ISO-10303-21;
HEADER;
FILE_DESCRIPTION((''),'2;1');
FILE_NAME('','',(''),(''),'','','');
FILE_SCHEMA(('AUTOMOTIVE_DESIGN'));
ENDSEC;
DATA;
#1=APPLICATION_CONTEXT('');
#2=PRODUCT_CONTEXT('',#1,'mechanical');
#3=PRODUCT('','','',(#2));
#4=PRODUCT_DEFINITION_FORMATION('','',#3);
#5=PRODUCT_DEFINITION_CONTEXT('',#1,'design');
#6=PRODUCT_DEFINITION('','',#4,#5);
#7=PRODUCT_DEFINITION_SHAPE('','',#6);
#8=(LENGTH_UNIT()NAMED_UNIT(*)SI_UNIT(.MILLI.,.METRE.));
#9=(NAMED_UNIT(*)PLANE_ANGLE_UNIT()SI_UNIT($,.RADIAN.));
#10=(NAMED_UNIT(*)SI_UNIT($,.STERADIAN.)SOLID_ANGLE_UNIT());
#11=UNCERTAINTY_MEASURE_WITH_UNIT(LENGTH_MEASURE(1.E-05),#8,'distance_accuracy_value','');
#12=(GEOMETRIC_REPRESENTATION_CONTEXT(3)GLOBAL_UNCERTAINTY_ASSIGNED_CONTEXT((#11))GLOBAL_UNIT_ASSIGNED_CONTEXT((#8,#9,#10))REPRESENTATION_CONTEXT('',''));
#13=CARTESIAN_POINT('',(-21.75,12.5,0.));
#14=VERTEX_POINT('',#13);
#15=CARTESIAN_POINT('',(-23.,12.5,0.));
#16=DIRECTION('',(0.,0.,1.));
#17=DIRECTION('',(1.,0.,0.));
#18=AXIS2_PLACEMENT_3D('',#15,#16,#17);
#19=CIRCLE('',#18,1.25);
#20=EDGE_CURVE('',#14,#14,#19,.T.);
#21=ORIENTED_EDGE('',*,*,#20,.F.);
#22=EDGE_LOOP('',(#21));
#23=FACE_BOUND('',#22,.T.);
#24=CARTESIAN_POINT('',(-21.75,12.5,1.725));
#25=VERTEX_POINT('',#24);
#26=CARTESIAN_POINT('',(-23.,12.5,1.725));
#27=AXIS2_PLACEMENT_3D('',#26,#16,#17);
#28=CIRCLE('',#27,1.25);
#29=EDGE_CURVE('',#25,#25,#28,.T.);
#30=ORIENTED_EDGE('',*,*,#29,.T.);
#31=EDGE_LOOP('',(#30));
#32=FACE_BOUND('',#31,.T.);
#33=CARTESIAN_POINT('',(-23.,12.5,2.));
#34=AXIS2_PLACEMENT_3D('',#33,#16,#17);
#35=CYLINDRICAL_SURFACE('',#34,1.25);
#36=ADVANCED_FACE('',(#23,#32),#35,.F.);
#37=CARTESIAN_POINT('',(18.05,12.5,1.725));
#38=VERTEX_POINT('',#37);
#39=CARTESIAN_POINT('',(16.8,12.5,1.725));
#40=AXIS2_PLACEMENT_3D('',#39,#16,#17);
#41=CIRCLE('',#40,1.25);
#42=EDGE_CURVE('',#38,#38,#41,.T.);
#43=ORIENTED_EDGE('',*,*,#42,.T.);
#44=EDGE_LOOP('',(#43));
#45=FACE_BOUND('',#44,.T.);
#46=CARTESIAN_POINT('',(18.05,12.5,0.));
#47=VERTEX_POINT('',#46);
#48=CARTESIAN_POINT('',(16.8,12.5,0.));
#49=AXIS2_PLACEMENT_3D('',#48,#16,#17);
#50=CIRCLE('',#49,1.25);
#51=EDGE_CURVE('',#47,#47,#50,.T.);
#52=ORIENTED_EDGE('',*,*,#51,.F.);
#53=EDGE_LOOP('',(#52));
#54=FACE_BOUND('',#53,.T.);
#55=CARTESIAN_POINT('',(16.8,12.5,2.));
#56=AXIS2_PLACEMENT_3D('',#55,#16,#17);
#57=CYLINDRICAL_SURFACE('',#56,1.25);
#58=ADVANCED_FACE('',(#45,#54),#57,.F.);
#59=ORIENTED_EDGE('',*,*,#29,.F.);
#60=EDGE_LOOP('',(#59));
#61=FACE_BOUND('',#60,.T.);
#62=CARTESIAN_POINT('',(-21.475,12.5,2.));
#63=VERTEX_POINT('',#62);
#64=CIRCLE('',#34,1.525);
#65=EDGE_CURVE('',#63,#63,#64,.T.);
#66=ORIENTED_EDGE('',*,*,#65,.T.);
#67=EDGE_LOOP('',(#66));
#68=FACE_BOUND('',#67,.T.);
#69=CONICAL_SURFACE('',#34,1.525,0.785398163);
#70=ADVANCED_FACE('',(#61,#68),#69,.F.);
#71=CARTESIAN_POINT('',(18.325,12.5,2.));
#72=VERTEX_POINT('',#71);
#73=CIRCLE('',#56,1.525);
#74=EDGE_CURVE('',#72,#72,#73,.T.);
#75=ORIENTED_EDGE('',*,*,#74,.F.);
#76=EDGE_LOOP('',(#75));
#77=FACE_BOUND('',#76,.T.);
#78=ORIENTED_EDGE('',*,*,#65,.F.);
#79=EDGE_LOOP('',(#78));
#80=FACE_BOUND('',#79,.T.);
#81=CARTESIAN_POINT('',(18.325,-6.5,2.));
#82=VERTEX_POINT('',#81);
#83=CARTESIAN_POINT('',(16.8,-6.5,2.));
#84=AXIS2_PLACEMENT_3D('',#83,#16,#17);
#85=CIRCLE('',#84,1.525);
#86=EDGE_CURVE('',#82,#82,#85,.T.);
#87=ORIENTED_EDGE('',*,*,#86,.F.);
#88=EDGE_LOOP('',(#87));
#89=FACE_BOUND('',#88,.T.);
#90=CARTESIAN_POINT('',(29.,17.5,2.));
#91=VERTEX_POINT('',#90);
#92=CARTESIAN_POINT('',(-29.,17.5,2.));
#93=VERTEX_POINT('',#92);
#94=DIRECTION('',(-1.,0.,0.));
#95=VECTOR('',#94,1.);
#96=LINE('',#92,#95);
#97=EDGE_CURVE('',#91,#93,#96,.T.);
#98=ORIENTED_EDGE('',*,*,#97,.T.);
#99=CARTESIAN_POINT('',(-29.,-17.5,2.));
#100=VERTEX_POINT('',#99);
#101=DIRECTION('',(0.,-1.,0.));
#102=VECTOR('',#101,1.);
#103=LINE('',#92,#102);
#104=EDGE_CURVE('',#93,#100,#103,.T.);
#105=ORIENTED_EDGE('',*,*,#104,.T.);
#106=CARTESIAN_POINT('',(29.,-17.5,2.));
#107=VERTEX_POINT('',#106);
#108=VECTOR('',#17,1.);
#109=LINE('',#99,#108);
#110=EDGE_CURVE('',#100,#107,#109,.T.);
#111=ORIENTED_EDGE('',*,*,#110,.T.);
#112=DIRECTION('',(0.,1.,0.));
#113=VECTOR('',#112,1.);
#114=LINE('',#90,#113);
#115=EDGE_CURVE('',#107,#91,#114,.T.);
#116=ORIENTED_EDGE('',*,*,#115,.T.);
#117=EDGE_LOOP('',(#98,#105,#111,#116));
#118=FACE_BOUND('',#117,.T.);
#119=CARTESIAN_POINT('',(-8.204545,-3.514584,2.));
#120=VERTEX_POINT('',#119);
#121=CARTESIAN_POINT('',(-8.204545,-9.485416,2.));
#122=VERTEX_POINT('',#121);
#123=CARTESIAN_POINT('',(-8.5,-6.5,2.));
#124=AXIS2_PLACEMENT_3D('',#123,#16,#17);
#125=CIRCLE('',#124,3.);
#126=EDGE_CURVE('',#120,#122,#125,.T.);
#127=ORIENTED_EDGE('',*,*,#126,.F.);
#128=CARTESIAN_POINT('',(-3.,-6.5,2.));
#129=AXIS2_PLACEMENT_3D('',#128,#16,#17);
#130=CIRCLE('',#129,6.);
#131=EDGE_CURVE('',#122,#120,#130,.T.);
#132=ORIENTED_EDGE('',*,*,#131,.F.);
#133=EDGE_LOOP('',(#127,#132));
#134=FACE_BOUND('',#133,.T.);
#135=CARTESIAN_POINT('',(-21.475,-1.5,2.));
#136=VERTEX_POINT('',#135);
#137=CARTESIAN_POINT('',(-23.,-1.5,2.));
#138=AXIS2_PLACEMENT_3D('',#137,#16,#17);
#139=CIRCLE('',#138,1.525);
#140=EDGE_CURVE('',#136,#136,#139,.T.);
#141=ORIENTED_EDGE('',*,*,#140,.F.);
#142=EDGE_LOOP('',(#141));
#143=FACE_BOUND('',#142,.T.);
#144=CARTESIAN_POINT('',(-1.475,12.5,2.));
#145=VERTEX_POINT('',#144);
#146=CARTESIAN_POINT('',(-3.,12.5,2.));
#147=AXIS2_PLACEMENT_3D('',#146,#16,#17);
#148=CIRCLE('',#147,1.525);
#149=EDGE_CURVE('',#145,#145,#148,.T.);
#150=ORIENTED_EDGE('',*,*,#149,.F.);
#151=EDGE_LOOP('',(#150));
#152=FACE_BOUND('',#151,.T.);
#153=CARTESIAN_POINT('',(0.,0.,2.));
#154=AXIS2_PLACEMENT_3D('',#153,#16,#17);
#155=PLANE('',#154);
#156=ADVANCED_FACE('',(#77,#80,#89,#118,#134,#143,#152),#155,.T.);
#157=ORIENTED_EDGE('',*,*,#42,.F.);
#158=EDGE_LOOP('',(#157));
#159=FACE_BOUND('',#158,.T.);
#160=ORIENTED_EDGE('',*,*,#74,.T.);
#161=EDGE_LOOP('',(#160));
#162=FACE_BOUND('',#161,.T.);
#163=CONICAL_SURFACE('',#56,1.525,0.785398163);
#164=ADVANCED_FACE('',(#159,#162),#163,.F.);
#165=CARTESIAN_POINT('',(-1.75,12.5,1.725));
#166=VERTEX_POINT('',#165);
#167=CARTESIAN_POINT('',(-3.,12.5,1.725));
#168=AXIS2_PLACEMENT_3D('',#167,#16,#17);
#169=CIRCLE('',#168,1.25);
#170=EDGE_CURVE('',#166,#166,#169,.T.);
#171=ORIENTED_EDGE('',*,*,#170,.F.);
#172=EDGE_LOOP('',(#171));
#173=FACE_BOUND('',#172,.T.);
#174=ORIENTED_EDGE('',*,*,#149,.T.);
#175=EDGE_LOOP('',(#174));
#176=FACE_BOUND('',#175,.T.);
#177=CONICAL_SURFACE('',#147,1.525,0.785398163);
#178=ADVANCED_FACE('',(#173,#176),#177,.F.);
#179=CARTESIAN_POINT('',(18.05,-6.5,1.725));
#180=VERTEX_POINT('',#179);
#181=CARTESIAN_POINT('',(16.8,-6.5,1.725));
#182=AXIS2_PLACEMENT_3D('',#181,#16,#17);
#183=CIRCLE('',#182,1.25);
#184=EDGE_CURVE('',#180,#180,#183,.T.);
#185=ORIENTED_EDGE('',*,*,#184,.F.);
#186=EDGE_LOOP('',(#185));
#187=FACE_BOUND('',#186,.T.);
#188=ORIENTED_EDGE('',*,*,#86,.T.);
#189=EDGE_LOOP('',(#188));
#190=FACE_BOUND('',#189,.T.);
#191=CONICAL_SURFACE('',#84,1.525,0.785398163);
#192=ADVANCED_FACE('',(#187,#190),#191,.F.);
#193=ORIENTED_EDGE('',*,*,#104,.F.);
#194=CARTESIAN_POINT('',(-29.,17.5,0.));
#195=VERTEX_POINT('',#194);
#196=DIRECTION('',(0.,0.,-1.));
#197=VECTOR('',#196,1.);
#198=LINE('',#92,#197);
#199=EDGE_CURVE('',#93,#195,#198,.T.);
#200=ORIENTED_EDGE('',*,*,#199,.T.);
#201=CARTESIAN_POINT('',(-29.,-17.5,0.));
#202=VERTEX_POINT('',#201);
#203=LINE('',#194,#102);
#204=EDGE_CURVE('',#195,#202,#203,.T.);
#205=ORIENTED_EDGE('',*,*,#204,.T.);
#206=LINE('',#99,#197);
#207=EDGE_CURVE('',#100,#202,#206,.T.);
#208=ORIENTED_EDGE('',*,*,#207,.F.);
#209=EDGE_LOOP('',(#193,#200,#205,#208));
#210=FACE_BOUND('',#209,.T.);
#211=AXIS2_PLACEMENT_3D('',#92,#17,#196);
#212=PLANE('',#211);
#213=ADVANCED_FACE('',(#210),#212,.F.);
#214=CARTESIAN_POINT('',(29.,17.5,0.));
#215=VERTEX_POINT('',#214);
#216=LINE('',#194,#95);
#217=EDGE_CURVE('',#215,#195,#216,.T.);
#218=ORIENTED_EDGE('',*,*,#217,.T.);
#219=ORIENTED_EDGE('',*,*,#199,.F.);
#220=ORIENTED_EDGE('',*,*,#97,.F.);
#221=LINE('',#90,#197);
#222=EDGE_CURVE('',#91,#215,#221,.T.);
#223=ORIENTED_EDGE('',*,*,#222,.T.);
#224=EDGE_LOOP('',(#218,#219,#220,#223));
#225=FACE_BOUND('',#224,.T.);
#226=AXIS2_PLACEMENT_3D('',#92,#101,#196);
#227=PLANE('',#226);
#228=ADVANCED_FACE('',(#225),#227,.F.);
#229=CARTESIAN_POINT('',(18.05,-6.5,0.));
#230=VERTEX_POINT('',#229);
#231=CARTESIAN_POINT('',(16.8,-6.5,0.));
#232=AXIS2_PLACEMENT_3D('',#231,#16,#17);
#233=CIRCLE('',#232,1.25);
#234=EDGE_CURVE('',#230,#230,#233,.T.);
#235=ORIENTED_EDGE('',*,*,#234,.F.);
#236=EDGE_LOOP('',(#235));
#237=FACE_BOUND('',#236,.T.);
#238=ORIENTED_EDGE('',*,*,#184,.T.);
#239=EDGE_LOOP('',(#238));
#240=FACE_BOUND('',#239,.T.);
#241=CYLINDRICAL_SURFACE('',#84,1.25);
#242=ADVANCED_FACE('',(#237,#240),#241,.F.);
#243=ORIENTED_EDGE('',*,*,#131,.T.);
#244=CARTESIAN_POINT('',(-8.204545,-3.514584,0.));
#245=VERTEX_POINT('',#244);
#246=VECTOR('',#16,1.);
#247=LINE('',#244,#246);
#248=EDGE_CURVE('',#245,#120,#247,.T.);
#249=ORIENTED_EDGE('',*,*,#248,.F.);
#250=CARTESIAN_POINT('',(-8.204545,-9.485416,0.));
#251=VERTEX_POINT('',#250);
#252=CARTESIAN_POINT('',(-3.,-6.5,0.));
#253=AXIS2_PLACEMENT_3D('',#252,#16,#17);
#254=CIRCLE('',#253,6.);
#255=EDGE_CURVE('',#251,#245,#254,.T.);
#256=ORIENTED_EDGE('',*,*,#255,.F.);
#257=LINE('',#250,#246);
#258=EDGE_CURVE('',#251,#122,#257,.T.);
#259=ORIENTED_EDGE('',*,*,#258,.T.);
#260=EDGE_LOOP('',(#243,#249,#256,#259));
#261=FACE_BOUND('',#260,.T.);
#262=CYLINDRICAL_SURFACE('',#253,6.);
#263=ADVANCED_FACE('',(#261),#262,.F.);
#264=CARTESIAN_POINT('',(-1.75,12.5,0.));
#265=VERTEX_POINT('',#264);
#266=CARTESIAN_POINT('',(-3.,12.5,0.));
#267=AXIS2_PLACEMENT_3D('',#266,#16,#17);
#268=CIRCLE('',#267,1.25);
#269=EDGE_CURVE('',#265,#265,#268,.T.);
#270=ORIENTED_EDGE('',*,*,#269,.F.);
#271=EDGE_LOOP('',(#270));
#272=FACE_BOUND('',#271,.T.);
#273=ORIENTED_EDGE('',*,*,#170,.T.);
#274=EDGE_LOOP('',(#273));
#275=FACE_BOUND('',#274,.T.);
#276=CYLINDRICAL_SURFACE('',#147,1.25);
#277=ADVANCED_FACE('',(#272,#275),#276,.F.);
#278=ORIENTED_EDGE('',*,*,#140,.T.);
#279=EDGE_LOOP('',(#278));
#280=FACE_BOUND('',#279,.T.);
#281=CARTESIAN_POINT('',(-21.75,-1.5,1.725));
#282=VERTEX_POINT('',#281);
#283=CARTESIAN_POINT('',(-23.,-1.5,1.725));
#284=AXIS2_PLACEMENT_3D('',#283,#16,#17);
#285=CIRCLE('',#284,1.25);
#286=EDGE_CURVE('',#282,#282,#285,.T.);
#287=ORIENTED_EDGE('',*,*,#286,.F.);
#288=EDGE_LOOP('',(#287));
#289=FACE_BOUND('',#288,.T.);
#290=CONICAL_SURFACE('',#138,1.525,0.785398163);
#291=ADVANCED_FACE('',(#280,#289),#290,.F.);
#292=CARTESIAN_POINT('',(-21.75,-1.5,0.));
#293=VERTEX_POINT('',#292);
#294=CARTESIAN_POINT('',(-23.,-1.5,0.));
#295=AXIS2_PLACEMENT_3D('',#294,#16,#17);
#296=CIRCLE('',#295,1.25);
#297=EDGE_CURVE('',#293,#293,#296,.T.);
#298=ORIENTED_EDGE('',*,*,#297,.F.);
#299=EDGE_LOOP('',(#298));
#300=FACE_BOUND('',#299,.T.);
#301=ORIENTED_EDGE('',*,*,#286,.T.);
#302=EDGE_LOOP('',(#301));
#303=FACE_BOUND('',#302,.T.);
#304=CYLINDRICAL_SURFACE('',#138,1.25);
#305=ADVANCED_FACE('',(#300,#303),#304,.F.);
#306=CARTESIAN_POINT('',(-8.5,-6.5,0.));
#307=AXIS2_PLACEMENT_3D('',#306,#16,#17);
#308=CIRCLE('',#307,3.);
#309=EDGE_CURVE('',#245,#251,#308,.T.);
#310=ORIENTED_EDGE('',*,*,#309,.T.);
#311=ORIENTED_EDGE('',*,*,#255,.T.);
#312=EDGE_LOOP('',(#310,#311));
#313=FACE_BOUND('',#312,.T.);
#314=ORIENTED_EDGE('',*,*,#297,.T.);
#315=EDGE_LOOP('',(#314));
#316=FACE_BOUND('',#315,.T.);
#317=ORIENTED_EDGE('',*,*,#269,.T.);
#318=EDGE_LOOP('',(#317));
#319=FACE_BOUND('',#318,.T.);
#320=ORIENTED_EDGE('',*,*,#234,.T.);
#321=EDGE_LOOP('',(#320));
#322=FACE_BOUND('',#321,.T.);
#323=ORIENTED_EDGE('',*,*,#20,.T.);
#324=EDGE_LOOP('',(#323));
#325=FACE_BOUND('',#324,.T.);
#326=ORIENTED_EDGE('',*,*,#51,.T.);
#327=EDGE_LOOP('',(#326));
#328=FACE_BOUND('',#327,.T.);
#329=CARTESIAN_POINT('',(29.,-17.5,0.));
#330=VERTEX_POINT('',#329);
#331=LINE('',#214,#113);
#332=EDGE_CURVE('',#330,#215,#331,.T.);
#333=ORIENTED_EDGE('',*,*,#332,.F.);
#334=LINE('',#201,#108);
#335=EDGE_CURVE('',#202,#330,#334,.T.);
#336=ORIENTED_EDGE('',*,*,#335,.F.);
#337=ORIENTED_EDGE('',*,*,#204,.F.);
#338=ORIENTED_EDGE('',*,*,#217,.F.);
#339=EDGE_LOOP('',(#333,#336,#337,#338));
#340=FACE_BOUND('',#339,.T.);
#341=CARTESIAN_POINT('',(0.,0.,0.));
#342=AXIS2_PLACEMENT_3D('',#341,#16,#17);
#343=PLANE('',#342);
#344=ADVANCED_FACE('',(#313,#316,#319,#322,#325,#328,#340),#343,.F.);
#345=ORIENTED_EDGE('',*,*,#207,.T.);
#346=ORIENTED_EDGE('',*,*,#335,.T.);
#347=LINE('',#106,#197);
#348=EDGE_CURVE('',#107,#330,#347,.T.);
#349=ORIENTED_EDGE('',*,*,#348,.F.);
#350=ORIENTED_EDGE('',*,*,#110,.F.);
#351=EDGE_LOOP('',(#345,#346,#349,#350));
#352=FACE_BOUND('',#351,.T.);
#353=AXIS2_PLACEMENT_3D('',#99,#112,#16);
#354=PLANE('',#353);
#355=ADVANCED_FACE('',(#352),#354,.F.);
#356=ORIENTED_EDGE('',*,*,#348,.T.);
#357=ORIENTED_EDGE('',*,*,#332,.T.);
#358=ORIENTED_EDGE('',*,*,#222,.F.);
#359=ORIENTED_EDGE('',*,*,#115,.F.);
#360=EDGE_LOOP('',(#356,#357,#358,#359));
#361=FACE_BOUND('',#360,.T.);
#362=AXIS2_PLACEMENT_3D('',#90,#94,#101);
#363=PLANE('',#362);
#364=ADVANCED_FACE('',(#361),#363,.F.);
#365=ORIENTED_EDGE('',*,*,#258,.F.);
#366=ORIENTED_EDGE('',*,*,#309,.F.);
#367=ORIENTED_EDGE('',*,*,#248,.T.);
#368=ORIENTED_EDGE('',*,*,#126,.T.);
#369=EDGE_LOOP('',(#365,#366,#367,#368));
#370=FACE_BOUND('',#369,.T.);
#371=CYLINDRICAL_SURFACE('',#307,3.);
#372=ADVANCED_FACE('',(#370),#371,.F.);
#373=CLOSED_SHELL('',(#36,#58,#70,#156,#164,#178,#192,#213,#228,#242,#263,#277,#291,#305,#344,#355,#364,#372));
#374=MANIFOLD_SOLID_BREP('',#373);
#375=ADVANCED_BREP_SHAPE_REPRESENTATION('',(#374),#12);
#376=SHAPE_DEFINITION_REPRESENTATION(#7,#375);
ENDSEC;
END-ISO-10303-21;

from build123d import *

# Parameters (mm, degrees)
SKETCH1_W                       = 58
SKETCH1_H                       = 35
BOSS_EXTRUDE2_DEPTH             = 2
M3X0_5_TAPPED_HOLE3_D           = 2.5
M3X0_5_TAPPED_HOLE3_CSINK_D     = 3.05
M3X0_5_TAPPED_HOLE3_CSINK_ANGLE = 90
CUT_EXTRUDE1_DEPTH              = 3


with BuildPart() as part:
    # Sketch1 → Boss-Extrude2 (new body)
    with BuildSketch(Plane.XY):
        Rectangle(SKETCH1_W, SKETCH1_H)
    extrude(amount=BOSS_EXTRUDE2_DEPTH)

    # M3x0.5 Tapped Hole3 (through all)
    with Locations(Plane.XY.offset(2)):
        with Locations((-23, 12.5), (-3, 12.5), (16.8, 12.5), (16.8, -6.5), (-23, -1.5)):
            CounterSinkHole(M3X0_5_TAPPED_HOLE3_D / 2, M3X0_5_TAPPED_HOLE3_CSINK_D / 2, counter_sink_angle=M3X0_5_TAPPED_HOLE3_CSINK_ANGLE)

    # Sketch11 → Cut-Extrude1 (cut, through all)
    with BuildSketch(Plane.XY.offset(2)):
        with BuildLine():
            ThreePointArc((-8.204545455, -3.514584349), (-11.5, -6.5), (-8.204545455, -9.485415651))
            ThreePointArc((-8.204545455, -9.485415651), (3, -6.5), (-8.204545455, -3.514584349))
        make_face()
    extrude(amount=-CUT_EXTRUDE1_DEPTH, mode=Mode.SUBTRACT)


solid = part.part
